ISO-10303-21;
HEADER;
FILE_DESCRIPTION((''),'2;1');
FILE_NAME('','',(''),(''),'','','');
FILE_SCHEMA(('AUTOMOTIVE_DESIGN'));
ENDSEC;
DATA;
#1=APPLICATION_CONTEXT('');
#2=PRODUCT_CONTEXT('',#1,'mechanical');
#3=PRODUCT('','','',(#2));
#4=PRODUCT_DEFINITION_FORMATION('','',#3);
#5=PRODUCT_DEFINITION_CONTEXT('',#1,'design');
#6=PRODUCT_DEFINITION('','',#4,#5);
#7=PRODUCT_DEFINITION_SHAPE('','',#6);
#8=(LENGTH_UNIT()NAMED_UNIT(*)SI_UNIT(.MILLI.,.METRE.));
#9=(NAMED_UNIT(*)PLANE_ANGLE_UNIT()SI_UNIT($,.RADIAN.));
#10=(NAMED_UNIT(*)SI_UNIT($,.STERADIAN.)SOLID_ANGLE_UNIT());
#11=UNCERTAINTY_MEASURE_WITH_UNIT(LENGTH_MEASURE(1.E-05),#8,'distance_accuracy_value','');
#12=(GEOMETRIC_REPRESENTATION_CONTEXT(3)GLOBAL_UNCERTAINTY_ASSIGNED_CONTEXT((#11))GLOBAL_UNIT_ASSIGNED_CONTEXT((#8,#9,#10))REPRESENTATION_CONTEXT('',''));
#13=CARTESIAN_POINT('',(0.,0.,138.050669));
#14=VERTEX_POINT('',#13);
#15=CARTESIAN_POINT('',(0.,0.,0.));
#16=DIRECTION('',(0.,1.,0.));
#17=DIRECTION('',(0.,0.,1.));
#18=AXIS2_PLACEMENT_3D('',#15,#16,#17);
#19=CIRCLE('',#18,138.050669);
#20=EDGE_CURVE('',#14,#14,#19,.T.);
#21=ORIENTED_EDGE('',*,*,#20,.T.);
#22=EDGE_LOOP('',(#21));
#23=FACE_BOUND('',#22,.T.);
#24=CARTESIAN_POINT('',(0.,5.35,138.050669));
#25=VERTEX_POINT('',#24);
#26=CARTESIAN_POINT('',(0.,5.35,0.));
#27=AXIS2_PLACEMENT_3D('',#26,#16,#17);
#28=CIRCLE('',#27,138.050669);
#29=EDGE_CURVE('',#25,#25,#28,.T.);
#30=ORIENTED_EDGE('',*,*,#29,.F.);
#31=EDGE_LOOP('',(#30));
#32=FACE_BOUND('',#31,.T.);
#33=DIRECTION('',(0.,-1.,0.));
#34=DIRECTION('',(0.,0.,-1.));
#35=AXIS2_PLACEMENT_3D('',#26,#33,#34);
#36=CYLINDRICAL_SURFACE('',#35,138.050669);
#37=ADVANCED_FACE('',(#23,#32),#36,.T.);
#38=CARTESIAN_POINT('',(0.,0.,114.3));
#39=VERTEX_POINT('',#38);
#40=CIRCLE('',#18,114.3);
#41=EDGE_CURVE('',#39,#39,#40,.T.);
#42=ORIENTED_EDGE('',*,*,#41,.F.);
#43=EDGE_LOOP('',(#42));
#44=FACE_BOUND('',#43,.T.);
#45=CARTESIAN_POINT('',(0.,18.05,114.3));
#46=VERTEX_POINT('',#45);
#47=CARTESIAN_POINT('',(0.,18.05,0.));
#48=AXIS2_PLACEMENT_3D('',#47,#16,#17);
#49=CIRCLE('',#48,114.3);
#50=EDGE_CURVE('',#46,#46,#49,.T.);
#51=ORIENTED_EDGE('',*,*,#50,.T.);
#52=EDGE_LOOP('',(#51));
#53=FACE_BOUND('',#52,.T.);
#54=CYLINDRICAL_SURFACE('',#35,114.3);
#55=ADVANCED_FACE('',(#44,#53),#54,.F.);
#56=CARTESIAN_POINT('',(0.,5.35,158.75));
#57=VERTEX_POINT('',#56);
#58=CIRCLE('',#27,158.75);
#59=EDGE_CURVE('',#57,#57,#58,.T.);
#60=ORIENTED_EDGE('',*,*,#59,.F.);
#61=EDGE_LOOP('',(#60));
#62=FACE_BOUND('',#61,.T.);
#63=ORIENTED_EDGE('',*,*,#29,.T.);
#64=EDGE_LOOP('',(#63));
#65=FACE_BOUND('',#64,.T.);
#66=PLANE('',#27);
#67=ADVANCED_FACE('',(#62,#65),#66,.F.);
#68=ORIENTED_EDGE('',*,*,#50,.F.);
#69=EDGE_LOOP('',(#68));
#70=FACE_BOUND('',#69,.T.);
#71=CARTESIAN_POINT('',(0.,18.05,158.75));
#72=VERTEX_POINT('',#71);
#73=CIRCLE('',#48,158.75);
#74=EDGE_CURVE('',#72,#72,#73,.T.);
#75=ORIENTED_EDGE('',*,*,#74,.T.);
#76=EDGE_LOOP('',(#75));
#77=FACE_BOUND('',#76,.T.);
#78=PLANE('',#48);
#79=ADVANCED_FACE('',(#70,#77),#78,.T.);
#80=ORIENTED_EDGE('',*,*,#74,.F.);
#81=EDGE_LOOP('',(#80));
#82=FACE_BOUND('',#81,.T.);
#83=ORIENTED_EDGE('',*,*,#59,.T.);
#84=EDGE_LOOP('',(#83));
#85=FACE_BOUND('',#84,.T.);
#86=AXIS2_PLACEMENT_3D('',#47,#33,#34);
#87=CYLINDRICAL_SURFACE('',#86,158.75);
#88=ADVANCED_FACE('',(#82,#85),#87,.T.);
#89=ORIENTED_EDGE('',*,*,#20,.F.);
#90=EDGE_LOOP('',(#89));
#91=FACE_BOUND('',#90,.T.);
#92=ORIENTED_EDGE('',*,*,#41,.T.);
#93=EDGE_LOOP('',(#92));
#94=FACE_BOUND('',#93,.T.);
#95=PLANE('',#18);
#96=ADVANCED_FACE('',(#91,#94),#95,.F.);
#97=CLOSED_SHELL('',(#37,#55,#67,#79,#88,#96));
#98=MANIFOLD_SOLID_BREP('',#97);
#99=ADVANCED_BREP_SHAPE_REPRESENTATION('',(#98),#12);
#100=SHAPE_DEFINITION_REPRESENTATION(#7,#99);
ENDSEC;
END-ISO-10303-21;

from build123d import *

# Parameters (mm, degrees)
SKETCH1_R           = 138.05066916
SKETCH1_R_2         = 114.3
BOSS_EXTRUDE1_DEPTH = 5.349999936
SKETCH2_R           = 158.75
SKETCH2_R_2         = 114.3
BOSS_EXTRUDE2_DEPTH = 12.7


with BuildPart() as part:
    # Sketch1 → Boss-Extrude1 (new body)
    with BuildSketch(Plane(origin=(0, 0, 0), x_dir=(1, 0, 0), z_dir=(0, 1, 0))):
        with Locations(Location((0, 0, 0), (0, 0, 270))):
            Circle(SKETCH1_R)
        with Locations(Location((0, 0, 0), (0, 0, 270))):
            Circle(SKETCH1_R_2, mode=Mode.SUBTRACT)
    extrude(amount=BOSS_EXTRUDE1_DEPTH)

    # Sketch2 → Boss-Extrude2 (add)
    with BuildSketch(Plane(origin=(0, 5.349999936, 0), x_dir=(1, 0, 0), z_dir=(0, 1, 0))):
        with Locations(Location((0, 0, 0), (0, 0, 270))):
            Circle(SKETCH2_R)
        with Locations(Location((0, 0, 0), (0, 0, 270))):
            Circle(SKETCH2_R_2, mode=Mode.SUBTRACT)
    extrude(amount=BOSS_EXTRUDE2_DEPTH)


solid = part.part
